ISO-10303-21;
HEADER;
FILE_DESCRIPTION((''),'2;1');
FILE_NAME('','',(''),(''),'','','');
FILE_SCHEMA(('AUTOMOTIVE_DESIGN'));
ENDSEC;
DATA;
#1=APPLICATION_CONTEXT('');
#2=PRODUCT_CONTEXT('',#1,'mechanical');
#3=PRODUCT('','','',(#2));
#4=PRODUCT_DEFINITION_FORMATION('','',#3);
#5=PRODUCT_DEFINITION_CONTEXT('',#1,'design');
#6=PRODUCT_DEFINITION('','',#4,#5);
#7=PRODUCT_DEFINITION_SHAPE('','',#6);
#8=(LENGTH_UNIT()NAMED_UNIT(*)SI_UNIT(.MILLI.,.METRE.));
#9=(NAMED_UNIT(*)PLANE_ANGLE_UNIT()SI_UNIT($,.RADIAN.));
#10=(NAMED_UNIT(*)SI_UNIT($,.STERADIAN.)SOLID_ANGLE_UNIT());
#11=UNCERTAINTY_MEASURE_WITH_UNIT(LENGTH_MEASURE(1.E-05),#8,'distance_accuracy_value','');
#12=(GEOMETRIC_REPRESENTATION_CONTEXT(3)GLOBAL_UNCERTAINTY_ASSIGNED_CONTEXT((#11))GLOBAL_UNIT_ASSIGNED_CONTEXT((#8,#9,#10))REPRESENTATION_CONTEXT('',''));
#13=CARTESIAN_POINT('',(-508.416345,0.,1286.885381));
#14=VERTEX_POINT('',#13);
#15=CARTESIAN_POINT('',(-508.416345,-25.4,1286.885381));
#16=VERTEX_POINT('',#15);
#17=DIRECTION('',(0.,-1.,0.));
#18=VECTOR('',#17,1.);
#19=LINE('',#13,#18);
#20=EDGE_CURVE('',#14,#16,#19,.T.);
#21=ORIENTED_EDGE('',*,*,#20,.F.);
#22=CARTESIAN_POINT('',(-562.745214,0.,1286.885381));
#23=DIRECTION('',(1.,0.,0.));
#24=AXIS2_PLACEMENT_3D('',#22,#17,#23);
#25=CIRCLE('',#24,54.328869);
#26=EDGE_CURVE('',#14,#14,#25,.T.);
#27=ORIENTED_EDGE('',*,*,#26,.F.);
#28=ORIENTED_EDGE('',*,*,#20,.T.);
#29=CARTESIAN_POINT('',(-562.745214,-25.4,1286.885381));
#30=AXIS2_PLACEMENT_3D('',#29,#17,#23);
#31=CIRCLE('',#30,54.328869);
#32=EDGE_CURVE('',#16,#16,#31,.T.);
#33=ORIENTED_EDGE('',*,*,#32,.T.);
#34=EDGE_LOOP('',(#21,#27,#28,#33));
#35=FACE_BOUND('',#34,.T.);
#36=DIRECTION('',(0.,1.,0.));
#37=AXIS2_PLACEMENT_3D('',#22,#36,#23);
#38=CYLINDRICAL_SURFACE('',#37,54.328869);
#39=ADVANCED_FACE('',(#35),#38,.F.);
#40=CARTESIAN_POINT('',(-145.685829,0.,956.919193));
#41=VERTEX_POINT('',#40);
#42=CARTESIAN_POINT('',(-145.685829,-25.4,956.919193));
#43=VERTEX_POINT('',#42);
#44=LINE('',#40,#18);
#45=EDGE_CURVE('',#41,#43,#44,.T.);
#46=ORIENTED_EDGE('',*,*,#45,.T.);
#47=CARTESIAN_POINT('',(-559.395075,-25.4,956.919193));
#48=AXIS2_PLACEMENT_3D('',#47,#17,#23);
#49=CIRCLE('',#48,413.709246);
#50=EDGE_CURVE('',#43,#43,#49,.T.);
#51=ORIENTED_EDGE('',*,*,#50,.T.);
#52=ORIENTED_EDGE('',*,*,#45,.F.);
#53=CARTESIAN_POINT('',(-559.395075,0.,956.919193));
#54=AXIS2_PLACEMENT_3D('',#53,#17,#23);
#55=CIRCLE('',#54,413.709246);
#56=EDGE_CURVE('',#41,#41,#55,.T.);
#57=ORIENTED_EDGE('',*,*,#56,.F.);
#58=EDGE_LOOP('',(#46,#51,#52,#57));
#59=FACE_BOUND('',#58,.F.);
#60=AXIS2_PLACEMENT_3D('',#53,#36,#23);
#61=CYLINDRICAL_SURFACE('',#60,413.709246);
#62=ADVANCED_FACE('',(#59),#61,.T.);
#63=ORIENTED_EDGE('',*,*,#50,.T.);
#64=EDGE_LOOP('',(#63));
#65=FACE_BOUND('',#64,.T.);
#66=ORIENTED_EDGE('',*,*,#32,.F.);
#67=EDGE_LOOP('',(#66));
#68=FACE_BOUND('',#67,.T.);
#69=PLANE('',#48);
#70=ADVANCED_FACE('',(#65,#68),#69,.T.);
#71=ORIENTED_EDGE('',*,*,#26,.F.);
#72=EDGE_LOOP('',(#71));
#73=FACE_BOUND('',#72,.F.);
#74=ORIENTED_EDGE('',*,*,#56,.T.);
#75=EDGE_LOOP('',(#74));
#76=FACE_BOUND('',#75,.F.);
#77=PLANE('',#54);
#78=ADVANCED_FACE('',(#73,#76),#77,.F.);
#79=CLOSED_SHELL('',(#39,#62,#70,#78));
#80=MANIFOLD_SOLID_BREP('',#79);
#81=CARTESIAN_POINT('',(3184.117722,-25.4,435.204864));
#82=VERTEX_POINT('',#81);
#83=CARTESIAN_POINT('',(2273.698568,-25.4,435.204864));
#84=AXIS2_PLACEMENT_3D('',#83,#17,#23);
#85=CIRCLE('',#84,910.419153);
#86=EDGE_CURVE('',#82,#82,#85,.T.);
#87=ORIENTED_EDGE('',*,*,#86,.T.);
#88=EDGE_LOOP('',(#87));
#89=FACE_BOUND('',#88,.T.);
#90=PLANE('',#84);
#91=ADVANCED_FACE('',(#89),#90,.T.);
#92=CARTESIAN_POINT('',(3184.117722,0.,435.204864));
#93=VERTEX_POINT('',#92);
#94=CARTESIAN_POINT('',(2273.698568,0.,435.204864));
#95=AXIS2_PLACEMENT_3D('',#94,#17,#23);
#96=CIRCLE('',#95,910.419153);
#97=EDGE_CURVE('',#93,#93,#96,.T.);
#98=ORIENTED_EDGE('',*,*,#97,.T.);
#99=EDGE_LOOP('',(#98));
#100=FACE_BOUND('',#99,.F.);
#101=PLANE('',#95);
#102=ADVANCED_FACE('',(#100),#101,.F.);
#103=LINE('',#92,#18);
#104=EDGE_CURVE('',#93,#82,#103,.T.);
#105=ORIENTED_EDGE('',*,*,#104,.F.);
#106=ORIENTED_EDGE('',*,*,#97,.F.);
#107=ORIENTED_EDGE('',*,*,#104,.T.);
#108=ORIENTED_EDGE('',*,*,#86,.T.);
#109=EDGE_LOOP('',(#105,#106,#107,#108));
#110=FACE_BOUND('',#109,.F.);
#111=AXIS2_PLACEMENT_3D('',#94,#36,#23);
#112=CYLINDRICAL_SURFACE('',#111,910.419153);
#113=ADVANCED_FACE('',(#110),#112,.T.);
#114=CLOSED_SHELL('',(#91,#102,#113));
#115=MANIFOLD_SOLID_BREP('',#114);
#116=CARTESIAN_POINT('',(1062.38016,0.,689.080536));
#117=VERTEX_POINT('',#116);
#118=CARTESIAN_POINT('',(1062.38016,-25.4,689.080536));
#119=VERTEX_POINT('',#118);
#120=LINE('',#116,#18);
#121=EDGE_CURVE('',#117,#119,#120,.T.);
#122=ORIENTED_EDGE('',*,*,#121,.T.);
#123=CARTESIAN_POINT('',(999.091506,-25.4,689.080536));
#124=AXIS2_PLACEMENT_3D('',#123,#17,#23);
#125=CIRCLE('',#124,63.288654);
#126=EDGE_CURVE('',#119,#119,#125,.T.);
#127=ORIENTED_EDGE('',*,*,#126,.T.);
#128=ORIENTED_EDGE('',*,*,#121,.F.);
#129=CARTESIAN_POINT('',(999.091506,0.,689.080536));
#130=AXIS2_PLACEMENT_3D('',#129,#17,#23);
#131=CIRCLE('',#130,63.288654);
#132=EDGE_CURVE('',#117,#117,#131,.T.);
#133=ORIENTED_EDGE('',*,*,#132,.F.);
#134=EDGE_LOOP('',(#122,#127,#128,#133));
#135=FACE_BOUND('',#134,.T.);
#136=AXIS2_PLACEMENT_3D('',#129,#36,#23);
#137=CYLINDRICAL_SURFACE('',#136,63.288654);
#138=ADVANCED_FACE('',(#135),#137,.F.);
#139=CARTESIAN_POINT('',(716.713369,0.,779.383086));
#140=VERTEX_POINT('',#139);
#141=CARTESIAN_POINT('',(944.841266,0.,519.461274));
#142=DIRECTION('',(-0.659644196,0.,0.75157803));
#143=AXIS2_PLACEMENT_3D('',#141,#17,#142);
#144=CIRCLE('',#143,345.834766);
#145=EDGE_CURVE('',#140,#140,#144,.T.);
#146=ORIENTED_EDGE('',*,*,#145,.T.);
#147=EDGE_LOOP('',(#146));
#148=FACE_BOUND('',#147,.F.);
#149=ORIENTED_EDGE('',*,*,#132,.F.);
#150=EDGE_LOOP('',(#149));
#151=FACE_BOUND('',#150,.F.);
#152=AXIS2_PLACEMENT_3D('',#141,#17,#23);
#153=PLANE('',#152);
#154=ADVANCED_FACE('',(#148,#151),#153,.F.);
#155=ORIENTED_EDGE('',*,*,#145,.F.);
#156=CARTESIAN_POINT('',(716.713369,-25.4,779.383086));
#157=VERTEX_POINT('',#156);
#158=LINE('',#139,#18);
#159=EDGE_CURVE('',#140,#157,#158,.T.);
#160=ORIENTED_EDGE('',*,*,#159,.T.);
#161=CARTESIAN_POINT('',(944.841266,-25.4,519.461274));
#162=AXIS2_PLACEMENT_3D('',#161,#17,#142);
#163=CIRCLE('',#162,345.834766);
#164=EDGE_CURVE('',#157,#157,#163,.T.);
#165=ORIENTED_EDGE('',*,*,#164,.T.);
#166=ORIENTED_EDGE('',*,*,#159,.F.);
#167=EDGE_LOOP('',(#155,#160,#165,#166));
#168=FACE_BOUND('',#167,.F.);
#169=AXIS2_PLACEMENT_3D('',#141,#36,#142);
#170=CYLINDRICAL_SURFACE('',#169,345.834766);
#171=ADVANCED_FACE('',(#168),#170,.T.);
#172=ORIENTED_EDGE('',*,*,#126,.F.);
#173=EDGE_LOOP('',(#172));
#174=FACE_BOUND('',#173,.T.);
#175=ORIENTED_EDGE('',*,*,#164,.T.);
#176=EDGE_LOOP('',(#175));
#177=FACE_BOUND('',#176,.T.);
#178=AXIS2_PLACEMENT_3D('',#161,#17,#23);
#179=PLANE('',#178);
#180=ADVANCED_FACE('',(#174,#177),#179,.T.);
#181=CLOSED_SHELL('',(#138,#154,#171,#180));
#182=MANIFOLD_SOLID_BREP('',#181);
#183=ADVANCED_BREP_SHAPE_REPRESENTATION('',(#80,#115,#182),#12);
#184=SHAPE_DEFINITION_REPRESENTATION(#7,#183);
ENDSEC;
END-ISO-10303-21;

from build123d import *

# Parameters (mm, degrees)
F0_R     = 413.7092458342
F0_R_2   = 54.3288686765
F1_DEPTH = 25.4
F0_R_3   = 63.2886539818
F0_R_4   = 910.4191534827


with BuildPart() as f1:
    # F0 (on Front) → F1 (new body)
    with BuildSketch(Plane.XZ):
        with Locations((-559.3950748444, 956.9191932678)):
            Circle(F0_R)
        with Locations((-562.7452135086, 1286.8853807449)):
            Circle(F0_R_2, mode=Mode.SUBTRACT)
    extrude(amount=F1_DEPTH)


with BuildPart() as f1b:
    # F0 (on Front) → F1, piece 2 (new body)
    with BuildSketch(Plane.XZ):
        with BuildLine():
            ThreePointArc((716.7133694164, 779.3830861909), (802.1753486044, 204.4245754364), (1290.6760317576, 519.461274147))
            ThreePointArc((1290.6760317576, 519.461274147), (1087.5071827524, 834.4979728577), (716.7133694164, 779.3830861909))
        make_face()
        with BuildLine():
            ThreePointArc((822.7081145061, 731.3828468323), (732.495792956, 673.2044381115), (716.7133694164, 779.3830861909))
            ThreePointArc((716.7133694164, 779.3830861909), (785.188547521, 789.561255553), (822.7081145061, 731.3828468323))
        make_face(mode=Mode.SUBTRACT)
        with Locations((999.0915060043, 689.0805363655)):
            Circle(F0_R_3, mode=Mode.SUBTRACT)
        with BuildLine():
            ThreePointArc((822.7081145061, 731.3828468323), (785.188547521, 789.561255553), (716.7133694164, 779.3830861909))
            ThreePointArc((716.7133694164, 779.3830861909), (732.495792956, 673.2044381115), (822.7081145061, 731.3828468323))
        make_face()
    extrude(amount=F1_DEPTH)


with BuildPart() as f1c:
    # F0 (on Front) → F1, piece 3 (new body)
    with BuildSketch(Plane.XZ):
        with Locations((2273.6985683441, 435.2048635483)):
            Circle(F0_R_4)
    extrude(amount=F1_DEPTH)


solid = Compound([f1.part, f1b.part, f1c.part])
